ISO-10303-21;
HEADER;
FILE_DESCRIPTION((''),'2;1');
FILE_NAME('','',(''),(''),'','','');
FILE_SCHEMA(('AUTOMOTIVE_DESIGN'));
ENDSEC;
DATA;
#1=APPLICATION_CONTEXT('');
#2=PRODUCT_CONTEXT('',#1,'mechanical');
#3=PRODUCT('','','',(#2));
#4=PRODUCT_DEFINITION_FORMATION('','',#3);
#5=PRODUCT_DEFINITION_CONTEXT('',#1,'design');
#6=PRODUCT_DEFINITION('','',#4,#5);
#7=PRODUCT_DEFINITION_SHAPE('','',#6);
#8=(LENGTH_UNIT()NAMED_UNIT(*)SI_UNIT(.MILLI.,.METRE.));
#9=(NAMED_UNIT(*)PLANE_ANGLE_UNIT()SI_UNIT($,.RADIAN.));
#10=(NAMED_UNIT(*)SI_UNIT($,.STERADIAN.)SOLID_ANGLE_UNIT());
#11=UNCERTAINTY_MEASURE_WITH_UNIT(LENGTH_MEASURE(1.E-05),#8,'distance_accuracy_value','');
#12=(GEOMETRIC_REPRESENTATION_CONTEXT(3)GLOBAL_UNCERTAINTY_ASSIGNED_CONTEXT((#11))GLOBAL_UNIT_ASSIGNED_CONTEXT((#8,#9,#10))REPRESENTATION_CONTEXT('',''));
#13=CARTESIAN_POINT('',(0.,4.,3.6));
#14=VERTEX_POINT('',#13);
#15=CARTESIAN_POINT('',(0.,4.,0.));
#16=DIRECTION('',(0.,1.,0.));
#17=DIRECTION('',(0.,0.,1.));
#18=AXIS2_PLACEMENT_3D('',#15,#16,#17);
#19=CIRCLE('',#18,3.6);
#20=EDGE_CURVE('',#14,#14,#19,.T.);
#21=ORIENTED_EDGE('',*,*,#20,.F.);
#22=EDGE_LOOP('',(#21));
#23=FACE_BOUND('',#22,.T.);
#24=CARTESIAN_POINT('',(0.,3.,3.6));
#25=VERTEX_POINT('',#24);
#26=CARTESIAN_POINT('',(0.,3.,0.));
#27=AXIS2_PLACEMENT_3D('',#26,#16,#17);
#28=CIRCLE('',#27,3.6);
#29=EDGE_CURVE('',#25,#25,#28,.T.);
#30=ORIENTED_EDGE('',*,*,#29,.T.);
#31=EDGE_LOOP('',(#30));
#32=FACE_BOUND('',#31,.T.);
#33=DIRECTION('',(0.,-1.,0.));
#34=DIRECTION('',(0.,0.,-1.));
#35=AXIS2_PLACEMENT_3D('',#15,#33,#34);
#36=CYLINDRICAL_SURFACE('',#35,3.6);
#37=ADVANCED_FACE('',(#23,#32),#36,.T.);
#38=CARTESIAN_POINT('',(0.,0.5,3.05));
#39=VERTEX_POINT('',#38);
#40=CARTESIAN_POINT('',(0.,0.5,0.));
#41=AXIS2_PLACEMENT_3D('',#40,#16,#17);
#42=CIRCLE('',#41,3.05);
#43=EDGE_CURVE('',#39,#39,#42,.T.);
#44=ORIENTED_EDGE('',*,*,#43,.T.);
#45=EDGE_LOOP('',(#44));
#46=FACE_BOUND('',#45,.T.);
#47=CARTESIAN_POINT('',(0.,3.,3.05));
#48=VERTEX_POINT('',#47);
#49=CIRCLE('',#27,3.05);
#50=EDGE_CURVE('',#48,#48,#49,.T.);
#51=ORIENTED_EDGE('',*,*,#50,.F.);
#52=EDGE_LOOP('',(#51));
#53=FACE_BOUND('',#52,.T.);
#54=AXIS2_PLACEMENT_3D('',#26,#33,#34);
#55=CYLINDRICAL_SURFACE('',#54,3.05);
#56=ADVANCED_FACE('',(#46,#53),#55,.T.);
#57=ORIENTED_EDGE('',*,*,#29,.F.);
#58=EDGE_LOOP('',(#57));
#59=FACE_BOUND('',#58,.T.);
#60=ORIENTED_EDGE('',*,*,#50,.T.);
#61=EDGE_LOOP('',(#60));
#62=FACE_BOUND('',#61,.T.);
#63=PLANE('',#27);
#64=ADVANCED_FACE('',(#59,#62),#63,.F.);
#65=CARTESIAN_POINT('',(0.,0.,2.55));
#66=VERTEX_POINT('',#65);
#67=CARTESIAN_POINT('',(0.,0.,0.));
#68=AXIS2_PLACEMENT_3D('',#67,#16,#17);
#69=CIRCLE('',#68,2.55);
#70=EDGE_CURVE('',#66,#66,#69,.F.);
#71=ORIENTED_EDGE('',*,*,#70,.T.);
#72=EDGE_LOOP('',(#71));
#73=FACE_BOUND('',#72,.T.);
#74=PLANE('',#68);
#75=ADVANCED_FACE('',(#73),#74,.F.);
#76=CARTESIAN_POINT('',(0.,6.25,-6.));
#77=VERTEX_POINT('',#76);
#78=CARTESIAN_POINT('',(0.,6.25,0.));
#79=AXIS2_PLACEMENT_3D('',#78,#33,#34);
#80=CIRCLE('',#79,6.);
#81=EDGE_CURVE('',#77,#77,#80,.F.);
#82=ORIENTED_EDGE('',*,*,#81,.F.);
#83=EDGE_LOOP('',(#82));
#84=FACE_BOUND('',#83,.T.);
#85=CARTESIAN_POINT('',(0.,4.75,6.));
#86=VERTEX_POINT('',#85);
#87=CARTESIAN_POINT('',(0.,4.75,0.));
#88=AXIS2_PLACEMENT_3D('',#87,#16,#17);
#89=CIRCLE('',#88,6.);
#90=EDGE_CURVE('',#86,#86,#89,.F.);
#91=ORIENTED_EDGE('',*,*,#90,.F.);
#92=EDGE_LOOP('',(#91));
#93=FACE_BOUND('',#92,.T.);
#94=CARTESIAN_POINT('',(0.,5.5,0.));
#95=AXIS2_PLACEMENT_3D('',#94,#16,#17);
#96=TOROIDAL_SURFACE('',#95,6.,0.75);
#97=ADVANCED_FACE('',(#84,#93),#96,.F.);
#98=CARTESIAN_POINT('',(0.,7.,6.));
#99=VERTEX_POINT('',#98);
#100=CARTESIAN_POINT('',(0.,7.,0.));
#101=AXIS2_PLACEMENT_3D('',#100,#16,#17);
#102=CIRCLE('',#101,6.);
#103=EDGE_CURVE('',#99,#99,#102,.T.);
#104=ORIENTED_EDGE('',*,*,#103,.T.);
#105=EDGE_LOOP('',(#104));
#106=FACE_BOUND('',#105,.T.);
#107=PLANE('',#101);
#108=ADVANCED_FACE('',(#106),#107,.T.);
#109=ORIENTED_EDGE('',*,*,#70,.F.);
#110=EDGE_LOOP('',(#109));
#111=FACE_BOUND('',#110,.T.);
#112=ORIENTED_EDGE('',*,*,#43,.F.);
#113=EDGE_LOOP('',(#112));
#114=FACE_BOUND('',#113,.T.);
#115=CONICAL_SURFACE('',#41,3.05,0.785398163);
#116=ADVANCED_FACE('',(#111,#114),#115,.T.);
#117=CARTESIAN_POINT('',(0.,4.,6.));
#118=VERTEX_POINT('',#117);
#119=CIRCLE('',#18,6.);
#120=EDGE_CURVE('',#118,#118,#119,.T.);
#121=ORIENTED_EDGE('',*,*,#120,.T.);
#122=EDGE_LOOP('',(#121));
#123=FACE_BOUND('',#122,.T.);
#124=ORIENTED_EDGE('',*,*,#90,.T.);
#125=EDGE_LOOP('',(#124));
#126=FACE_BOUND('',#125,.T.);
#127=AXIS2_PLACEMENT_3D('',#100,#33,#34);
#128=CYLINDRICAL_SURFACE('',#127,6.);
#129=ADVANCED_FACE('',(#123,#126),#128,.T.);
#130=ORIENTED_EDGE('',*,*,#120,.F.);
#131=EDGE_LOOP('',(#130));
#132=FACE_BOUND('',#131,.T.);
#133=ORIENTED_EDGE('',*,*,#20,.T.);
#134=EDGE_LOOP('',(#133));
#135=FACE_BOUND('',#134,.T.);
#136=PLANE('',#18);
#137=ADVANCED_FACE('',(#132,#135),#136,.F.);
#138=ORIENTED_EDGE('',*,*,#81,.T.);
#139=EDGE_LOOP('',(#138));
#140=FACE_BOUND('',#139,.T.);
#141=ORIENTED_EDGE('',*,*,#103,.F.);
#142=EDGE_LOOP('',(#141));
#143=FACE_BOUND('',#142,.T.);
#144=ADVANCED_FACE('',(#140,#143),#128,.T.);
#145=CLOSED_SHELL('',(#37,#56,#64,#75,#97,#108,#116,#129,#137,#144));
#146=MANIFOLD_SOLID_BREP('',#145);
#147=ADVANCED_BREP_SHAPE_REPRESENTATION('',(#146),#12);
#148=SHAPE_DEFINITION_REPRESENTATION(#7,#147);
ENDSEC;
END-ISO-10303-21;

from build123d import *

# Parameters (mm, degrees)
SKETCH1_R           = 3.05
BOSS_EXTRUDE1_DEPTH = 3
SKETCH4_R           = 3.6
BOSS_EXTRUDE3_DEPTH = 1
SKETCH2_R           = 6
BOSS_EXTRUDE2_DEPTH = 3
SKETCH3_R           = 0.75
CHAMFER1_SIZE       = 0.5


with BuildPart() as part:
    # Sketch1 → Boss-Extrude1 (new body)
    with BuildSketch(Plane(origin=(0, 0, 0), x_dir=(1, 0, 0), z_dir=(0, 1, 0))):
        with Locations(Location((0, 0, 0), (0, 0, 270))):
            Circle(SKETCH1_R)
    extrude(amount=BOSS_EXTRUDE1_DEPTH)

    # Sketch4 → Boss-Extrude3 (add)
    with BuildSketch(Plane(origin=(0, 3, 0), x_dir=(1, 0, 0), z_dir=(0, 1, 0))):
        with Locations(Location((0, 0, 0), (0, 0, 270))):
            Circle(SKETCH4_R)
    extrude(amount=BOSS_EXTRUDE3_DEPTH)

    # Sketch2 → Boss-Extrude2 (add)
    with BuildSketch(Plane(origin=(0, 4, 0), x_dir=(1, 0, 0), z_dir=(0, 1, 0))):
        with Locations(Location((0, 0, 0), (0, 0, 270))):
            Circle(SKETCH2_R)
    extrude(amount=BOSS_EXTRUDE2_DEPTH)

    # Sketch3 → Cut-Revolve1 (revolve, cut)
    with BuildSketch(Plane.XY, mode=Mode.PRIVATE) as cut_revolve1_sk:
        with Locations((-6, 5.5)):
            Circle(SKETCH3_R)
    revolve(cut_revolve1_sk.sketch.rotate(Axis((0, 9.115200414, 0), (0, -1, 0)), 270), axis=Axis((0, 9.115200414, 0), (0, -1, 0)), mode=Mode.SUBTRACT)

    # Chamfer1
    chamfer1_edges = [part.edges().sort_by_distance(p)[0] for p in [
        (0, 0, -3.05),
    ]]
    chamfer(chamfer1_edges, length=CHAMFER1_SIZE)


solid = part.part
